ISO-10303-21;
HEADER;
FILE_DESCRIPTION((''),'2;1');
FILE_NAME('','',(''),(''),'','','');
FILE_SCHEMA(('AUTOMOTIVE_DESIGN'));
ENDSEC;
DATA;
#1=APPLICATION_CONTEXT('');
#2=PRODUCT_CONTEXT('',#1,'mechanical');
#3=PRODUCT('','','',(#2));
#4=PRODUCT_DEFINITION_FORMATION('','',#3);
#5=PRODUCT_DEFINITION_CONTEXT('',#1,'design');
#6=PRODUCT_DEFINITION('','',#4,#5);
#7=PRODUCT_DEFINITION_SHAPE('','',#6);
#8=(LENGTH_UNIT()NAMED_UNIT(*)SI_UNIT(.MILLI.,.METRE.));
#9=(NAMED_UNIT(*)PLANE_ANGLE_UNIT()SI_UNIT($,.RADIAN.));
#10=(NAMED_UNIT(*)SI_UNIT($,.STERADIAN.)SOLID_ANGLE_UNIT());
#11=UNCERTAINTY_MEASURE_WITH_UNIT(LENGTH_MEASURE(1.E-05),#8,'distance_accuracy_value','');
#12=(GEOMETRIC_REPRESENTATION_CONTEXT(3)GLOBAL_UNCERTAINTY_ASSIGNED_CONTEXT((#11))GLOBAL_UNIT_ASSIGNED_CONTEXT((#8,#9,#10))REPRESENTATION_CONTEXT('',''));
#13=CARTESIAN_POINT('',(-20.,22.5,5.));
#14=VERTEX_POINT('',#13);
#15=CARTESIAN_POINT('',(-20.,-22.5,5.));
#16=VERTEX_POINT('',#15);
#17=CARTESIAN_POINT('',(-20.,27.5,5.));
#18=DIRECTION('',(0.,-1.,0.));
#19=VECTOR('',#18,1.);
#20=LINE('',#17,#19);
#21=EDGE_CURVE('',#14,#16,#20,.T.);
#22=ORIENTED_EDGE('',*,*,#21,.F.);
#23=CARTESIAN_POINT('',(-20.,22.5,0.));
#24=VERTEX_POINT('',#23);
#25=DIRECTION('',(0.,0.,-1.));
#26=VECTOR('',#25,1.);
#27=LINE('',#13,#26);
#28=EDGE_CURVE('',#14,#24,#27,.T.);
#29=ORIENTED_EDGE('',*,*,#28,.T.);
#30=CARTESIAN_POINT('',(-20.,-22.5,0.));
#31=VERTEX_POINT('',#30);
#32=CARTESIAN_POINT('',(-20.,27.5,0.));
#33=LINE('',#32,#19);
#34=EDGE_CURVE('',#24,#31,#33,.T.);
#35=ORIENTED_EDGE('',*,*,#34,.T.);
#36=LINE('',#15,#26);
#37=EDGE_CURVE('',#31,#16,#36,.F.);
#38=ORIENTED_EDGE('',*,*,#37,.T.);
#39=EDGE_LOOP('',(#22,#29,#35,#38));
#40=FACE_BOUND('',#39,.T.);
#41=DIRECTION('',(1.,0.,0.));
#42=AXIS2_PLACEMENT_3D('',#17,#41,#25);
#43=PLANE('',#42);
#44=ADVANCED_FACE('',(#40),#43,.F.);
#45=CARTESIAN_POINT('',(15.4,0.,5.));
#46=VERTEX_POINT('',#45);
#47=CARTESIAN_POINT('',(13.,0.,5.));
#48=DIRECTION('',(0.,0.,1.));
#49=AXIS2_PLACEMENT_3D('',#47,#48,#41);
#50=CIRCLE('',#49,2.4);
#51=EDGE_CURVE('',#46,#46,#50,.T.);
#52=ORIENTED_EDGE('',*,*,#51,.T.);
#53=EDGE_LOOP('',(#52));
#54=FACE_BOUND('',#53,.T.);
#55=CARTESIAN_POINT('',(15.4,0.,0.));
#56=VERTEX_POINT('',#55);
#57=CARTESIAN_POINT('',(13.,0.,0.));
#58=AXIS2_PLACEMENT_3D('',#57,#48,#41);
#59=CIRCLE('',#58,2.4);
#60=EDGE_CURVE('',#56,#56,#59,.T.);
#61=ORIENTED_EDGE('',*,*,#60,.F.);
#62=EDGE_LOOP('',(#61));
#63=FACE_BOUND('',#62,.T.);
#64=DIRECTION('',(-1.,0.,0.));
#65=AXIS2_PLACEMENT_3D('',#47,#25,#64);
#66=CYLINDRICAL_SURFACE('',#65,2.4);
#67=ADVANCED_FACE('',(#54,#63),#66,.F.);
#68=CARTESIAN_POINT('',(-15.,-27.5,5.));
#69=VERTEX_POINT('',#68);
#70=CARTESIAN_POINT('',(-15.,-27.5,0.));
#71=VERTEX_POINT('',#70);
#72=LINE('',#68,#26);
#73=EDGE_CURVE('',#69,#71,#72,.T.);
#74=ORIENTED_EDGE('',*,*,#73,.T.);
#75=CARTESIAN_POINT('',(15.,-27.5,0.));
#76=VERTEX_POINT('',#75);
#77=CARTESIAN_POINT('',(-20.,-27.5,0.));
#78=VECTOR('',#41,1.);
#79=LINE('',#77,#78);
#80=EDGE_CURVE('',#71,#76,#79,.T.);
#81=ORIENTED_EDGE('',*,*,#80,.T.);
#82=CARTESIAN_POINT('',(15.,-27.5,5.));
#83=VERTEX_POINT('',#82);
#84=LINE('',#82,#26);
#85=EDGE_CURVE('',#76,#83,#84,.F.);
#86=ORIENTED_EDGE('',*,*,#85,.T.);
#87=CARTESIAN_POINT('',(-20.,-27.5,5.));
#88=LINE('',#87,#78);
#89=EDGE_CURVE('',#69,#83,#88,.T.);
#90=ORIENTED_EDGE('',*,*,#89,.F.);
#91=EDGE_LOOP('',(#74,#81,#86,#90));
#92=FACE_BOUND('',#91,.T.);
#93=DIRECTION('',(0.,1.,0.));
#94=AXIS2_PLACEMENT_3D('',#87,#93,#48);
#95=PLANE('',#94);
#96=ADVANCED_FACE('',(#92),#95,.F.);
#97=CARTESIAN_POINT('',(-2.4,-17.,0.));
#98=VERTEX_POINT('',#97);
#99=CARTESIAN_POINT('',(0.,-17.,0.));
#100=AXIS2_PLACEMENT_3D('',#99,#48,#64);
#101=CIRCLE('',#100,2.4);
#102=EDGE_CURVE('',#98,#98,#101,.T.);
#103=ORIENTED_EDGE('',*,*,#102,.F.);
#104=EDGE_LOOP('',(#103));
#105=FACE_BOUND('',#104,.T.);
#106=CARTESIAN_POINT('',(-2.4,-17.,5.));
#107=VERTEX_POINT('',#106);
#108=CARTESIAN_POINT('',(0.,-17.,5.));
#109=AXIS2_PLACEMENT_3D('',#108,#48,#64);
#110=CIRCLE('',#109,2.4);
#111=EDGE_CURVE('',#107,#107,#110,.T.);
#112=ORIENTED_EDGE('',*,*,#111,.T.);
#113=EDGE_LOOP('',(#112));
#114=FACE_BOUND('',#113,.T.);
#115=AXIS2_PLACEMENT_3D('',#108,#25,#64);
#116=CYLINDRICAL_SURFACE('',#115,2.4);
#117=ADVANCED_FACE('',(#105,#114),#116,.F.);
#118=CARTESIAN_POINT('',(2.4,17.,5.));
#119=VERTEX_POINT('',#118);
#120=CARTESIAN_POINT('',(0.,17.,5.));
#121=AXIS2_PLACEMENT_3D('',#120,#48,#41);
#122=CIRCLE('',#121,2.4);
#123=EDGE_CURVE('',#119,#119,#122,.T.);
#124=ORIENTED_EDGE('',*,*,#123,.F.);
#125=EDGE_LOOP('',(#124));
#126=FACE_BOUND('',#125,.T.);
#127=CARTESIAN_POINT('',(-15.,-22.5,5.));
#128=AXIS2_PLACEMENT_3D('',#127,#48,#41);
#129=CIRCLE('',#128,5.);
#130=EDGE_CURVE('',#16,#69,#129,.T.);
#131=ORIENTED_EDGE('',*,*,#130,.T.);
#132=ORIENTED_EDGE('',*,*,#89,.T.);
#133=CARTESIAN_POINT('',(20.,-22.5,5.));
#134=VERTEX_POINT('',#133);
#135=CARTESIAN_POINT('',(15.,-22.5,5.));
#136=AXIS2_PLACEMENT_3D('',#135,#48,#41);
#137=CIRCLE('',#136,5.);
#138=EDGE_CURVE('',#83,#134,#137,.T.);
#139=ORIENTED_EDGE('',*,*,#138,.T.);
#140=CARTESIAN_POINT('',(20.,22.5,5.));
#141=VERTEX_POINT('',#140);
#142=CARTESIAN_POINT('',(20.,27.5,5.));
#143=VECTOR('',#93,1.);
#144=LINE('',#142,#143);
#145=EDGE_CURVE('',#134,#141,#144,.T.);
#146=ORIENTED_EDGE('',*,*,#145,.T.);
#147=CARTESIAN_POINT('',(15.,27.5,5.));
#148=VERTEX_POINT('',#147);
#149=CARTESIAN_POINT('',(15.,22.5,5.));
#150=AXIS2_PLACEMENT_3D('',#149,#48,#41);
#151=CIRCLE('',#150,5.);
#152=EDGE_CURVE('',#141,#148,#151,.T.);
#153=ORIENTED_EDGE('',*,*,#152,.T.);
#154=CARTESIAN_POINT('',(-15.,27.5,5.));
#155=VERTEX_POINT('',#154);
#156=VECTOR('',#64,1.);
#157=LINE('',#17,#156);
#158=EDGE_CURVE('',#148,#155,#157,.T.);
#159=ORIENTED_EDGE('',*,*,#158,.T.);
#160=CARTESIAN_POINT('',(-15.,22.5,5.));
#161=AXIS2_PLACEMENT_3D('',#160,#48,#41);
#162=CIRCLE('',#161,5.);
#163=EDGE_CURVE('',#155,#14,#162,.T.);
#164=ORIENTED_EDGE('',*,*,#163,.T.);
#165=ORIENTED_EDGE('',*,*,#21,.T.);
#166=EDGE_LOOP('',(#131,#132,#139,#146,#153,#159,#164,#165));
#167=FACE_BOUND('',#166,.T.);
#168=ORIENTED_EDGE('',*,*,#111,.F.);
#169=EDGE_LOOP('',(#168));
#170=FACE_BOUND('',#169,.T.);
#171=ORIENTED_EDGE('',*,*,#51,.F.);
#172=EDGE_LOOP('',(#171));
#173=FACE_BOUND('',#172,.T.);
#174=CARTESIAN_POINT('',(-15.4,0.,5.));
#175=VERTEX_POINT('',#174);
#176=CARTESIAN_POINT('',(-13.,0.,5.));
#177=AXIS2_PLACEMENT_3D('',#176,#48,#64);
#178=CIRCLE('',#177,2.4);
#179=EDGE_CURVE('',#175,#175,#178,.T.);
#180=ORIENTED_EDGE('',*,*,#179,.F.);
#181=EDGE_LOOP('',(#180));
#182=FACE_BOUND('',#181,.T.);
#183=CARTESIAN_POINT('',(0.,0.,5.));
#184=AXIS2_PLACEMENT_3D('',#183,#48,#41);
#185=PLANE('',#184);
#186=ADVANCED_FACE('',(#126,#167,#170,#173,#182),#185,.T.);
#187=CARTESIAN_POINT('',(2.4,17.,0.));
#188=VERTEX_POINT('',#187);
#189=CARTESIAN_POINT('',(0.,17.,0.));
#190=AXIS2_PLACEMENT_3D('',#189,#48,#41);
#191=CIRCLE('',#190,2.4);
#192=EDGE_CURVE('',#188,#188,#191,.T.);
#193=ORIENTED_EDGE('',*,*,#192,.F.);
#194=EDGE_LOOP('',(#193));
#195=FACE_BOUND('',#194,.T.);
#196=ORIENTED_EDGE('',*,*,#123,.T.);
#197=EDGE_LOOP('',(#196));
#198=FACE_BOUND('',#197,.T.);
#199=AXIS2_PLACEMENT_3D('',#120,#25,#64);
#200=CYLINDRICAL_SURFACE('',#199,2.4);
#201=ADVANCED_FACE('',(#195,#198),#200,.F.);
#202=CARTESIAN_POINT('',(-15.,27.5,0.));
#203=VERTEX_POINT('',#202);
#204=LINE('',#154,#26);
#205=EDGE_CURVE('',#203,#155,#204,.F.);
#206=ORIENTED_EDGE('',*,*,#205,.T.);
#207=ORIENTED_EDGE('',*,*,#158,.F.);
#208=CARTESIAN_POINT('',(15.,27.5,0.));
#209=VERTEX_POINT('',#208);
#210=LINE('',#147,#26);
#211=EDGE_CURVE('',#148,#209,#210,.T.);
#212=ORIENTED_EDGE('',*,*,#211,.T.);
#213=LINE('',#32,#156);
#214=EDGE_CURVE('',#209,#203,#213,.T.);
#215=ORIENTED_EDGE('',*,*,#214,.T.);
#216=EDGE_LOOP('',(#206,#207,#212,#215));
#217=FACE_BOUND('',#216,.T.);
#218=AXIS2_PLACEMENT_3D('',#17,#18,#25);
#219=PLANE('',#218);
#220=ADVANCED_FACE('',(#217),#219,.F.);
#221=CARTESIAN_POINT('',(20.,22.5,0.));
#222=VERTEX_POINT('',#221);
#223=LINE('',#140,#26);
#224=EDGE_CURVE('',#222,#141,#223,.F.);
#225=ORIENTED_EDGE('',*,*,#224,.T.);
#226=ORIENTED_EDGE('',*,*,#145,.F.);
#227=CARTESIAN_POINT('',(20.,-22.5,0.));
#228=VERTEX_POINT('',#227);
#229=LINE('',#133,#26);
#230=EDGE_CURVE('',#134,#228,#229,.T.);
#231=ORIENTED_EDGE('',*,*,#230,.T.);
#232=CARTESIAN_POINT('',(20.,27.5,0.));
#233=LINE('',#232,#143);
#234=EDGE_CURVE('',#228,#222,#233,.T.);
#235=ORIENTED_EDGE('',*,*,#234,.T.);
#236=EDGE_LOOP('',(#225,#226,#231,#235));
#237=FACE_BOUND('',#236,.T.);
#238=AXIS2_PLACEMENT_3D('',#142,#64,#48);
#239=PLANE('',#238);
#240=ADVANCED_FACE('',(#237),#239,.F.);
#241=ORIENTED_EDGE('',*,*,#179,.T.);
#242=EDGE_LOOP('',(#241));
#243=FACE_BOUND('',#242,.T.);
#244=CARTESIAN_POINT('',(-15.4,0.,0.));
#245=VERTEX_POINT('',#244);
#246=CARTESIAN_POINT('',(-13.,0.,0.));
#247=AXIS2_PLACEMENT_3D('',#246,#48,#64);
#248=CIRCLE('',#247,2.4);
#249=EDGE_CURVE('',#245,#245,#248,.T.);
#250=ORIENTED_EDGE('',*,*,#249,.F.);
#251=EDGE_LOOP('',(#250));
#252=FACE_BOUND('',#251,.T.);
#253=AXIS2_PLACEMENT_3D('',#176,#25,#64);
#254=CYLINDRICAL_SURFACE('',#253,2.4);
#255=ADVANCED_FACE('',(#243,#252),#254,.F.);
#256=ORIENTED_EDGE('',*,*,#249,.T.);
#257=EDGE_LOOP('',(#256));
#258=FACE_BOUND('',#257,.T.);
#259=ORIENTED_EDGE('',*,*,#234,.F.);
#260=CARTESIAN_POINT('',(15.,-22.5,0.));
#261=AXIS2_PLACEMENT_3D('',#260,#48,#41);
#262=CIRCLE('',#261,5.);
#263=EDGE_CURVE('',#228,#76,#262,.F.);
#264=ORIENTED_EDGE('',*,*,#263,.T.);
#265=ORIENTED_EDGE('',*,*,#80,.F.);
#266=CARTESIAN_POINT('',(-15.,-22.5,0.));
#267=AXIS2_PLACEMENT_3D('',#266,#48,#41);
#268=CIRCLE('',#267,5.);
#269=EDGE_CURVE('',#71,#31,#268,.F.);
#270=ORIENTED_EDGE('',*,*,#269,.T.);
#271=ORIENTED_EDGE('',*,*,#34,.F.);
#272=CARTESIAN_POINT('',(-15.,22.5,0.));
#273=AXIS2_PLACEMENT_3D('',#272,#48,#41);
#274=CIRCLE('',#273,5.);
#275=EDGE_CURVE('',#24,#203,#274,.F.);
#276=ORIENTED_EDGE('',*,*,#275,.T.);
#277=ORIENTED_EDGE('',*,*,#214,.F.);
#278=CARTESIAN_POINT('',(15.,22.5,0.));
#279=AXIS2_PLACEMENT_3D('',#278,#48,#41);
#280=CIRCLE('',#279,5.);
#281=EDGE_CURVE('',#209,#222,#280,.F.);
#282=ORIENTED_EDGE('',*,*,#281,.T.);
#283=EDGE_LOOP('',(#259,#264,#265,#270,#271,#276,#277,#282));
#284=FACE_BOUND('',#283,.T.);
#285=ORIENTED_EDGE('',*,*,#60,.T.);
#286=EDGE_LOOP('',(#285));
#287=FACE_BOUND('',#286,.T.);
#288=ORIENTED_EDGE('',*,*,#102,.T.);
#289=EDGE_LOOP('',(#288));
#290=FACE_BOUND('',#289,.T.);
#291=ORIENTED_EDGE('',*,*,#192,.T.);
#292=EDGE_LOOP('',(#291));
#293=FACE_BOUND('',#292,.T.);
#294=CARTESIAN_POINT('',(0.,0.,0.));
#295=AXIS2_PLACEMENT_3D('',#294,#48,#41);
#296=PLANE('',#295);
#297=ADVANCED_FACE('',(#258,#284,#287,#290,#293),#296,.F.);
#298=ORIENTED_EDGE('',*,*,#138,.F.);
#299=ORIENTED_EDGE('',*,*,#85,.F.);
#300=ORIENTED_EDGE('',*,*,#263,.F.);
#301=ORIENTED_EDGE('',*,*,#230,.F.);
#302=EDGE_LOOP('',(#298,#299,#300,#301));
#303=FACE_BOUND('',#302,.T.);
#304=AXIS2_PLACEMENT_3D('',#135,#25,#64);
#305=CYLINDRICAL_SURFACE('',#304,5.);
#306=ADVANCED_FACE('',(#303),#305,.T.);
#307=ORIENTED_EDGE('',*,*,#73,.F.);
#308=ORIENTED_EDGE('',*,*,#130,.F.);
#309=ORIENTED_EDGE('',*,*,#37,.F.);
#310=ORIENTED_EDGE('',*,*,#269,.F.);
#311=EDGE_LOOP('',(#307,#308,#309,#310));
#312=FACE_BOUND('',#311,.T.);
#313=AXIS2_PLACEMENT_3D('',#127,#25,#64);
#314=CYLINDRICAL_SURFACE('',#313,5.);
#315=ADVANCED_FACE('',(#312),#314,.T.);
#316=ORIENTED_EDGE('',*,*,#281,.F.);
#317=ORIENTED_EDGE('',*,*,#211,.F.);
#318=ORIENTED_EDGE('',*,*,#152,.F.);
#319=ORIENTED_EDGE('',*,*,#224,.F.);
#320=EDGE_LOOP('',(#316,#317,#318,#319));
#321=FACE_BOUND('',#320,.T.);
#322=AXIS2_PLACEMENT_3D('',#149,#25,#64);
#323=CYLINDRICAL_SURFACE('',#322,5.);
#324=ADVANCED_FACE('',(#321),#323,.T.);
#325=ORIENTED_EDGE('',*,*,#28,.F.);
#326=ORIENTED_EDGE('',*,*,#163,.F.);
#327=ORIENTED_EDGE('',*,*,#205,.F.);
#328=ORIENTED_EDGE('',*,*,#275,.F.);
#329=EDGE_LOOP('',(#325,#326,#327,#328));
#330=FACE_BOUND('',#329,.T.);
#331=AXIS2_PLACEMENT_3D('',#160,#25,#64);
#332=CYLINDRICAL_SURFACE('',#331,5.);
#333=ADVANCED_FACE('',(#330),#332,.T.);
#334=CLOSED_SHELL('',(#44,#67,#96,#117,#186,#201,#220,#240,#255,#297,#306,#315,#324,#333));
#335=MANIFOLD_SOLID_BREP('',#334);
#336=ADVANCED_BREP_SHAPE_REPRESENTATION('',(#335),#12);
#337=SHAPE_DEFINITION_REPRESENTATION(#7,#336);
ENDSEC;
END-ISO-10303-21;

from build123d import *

# Parameters (mm, degrees)
SKETCH1_W           = 40
SKETCH1_H           = 55
SKETCH1_R           = 2.4
BOSS_EXTRUDE1_DEPTH = 5
FILLET1_R           = 5


with BuildPart() as part:
    # Sketch1 → Boss-Extrude1 (new body)
    with BuildSketch(Plane.XY):
        Rectangle(SKETCH1_W, SKETCH1_H)
        with Locations((0, 17)):
            Circle(SKETCH1_R, mode=Mode.SUBTRACT)
        with Locations((13, 0)):
            Circle(SKETCH1_R, mode=Mode.SUBTRACT)
        with Locations((0, -17)):
            Circle(SKETCH1_R, mode=Mode.SUBTRACT)
        with Locations((-13, 0)):
            Circle(SKETCH1_R, mode=Mode.SUBTRACT)
    extrude(amount=BOSS_EXTRUDE1_DEPTH)

    # Fillet1
    fillet1_edges = [part.edges().sort_by_distance(p)[0] for p in [
        (20, -27.5, 2.5),
        (-20, -27.5, 2.5),
        (-20, 27.5, 2.5),
        (20, 27.5, 2.5),
    ]]
    fillet(fillet1_edges, radius=FILLET1_R)


solid = part.part
